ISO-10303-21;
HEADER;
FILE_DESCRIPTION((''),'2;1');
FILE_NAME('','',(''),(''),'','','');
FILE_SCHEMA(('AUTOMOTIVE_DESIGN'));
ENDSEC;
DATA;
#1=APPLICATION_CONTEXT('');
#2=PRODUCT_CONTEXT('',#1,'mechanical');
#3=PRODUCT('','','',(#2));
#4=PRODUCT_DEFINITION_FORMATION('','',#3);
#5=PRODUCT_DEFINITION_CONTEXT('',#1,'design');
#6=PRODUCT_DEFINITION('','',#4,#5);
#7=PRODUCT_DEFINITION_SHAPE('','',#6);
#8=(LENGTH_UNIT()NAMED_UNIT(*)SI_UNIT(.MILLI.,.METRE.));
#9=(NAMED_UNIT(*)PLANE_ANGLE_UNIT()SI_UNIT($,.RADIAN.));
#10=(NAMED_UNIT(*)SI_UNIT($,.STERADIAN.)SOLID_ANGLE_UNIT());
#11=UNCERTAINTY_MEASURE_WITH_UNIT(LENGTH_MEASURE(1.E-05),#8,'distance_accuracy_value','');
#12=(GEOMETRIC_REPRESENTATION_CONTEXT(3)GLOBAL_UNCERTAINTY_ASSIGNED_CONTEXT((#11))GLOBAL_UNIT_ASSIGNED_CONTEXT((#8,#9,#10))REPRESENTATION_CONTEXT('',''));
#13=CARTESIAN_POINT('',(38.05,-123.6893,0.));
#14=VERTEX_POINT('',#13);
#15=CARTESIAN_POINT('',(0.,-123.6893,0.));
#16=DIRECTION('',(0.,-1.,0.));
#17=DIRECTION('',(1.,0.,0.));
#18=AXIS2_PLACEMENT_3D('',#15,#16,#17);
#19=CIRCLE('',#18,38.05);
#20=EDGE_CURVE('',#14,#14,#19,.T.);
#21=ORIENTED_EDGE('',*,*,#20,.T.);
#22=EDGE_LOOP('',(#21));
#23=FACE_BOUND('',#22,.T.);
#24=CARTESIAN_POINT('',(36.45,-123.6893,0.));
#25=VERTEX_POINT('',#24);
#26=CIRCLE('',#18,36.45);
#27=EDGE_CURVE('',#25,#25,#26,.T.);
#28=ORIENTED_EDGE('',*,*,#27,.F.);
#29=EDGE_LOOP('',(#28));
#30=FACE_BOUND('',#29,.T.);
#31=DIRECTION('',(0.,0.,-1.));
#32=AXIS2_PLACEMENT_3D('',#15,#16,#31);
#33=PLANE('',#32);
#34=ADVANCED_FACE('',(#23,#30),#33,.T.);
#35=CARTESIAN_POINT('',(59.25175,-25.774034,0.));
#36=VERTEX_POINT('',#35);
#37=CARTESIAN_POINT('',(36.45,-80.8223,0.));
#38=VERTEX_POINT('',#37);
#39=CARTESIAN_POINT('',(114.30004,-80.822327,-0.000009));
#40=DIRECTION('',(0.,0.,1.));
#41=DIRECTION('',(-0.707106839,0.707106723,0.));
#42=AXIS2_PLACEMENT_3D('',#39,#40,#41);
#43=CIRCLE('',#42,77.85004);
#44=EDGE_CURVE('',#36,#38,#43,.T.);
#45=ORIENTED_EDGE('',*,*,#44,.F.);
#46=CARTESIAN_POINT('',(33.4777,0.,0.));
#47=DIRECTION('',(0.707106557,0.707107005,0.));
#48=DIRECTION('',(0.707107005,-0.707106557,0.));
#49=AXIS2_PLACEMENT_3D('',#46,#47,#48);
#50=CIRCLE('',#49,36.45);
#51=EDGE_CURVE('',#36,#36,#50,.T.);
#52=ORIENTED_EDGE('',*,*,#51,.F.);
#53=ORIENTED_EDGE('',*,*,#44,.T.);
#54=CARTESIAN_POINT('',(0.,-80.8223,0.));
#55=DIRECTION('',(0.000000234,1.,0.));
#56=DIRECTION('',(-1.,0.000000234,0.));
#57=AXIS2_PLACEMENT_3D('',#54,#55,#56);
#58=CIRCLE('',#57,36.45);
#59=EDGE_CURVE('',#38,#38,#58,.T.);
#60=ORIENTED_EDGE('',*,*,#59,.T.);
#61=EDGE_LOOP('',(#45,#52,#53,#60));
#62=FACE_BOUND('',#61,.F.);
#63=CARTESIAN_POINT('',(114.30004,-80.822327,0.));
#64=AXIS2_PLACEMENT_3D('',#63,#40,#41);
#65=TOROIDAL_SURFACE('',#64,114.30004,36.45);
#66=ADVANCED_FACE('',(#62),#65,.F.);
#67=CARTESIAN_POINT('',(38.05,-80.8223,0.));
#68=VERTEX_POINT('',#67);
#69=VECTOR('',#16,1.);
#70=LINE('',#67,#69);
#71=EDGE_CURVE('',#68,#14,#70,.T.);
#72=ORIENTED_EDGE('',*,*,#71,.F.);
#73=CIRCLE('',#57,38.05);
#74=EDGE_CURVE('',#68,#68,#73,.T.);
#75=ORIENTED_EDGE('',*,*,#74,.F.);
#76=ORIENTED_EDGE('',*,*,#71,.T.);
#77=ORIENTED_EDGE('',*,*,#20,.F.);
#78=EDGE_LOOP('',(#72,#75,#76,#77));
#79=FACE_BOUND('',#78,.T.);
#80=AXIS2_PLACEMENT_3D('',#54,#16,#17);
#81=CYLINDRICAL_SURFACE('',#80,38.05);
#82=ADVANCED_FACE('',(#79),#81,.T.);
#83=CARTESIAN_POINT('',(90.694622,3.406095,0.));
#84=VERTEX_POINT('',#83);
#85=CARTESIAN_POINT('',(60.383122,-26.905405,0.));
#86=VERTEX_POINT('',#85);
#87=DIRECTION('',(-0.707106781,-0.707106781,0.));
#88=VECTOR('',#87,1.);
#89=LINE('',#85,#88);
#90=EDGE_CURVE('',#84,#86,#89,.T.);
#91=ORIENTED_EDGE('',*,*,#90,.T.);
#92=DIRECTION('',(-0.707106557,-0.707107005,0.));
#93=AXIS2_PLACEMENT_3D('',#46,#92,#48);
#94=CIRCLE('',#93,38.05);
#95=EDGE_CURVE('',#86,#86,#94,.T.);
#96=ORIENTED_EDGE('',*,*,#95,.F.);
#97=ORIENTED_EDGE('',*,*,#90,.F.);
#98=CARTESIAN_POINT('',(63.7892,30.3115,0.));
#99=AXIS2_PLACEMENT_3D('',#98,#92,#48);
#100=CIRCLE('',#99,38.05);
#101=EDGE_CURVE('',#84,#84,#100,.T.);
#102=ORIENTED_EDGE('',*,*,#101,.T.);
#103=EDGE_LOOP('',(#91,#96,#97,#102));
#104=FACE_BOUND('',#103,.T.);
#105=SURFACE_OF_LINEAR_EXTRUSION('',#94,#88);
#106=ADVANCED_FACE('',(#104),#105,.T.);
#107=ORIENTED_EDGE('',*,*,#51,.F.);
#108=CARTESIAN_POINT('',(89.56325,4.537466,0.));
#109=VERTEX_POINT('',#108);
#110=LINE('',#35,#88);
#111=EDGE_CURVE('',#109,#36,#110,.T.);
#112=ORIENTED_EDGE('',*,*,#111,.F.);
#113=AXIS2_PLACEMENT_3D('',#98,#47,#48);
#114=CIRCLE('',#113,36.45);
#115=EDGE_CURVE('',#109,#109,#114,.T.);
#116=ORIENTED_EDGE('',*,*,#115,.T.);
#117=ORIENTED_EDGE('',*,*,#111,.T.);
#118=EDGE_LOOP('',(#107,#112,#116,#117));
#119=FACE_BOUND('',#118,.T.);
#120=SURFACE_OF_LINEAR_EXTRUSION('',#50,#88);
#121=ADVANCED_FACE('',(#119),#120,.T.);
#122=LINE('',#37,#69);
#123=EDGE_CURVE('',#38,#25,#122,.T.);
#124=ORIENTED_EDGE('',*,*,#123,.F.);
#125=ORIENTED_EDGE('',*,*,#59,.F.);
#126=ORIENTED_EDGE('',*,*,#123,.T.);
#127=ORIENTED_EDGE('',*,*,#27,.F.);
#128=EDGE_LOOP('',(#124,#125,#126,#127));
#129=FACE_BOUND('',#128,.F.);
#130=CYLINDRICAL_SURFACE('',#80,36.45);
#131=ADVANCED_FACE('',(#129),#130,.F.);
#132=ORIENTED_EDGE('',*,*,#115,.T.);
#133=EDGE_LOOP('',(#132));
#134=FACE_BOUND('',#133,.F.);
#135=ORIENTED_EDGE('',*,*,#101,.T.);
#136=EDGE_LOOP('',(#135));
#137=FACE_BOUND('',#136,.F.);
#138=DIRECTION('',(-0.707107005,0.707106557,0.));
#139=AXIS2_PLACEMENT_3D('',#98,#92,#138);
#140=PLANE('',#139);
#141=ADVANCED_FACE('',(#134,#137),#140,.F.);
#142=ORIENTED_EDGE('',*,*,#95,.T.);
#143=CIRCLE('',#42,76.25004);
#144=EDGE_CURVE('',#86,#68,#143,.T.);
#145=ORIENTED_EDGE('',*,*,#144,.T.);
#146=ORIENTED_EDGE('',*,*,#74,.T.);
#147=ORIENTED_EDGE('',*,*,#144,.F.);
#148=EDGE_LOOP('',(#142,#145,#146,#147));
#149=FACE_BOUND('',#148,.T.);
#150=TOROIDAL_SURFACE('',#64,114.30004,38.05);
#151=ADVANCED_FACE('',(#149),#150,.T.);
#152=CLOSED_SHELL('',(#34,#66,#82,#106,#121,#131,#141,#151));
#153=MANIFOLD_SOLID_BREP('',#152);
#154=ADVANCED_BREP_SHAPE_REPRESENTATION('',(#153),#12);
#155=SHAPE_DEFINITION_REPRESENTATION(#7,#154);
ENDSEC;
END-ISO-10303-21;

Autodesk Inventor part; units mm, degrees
ref_plane "YZ Plane" through (0, 0, 0) normal (1, 0, 0) x (0, 1, 0)
ref_plane "XZ Plane" through (0, 0, 0) normal (0, 1, 0) x (-1, 0, 0)
sketch "Szkic6" plane through (0, 0, 0) normal (0, 0, 1) x (1, 0, 0)
  line L0 (-29.6067, 0) -> (35.2678, 0) construction
  line L1 (0, 42.3419) -> (0, -58.3726) construction
  arc A0 (33.4777, 0) -> (0, -80.8223) centre (114.3, -80.8223) ccw
  line L2 (0, -80.8223) -> (114.3, -80.8223) construction
  line L3 (114.3, -80.8223) -> (67.9611, -34.4834) construction
  line L4 (33.4777, 0) -> (63.7892, 30.3115)
  line L5 (0, -80.8223) -> (0, -123.6893)
  point P0 (0, 0)
  dimension "d24" = 114.3
  dimension "d31" = 45
  dimension "d36" = 42.867
  dimension "d37" = 42.867
ref_plane "Płaszczyzna konstrukcyjna2" through (0, -80.8223, 0) normal (0, -1, 0) x (1, 0, 0)
sketch "Szkic8" plane through (0, -80.8223, 0) normal (0, -1, 0) x (1, 0, 0)
  circle A0 centre (0, 0) radius 38.05
  circle A1 centre (0, 0) radius 36.45
  dimension "d32" = 76.1
  dimension "d33" = 1.6
sweep "Przeciągnięcie2" add profiles "Szkic8" path "Szkic6"
equation "\"d32\" = OD"
equation "\"d33\" = THK"
equation "\"d24\" = R"
equation "\"d31\" = KAT"
equation "\"d36\" = PROSTKA"
equation "\"d37\" = PROSTKA"
equation "\"SzerokośćGięciaPodcięcia\" = Grubość"
equation "\"RozmiarPodcięciaNarożnika\" = 4 * Grubość"
equation "\"PromieńPrzejścia\" = PromieńGięcia"
equation "\"Rozmiar_promienia_Jacobiego\" = PromieńGięcia"
equation "\"Wielk_odstępu\" = Grubość"
equation "\"d2\" = PromieńGięcia"
equation "\"d23\" = PromieńGięcia"
equation "\"R\" = 114.3"
equation "\"OD\" = 76.1"
equation "\"THK\" = 1.6"
equation "\"KAT\" = 45deg"
equation "\"PROSTKA\" = 42.867"
equation "\"Grubość\" = 1.5"
equation "\"PromieńGięcia\" = 3"
properties part number "Kolano 45° ø76,1x1,6 R114,3" material "304L"
